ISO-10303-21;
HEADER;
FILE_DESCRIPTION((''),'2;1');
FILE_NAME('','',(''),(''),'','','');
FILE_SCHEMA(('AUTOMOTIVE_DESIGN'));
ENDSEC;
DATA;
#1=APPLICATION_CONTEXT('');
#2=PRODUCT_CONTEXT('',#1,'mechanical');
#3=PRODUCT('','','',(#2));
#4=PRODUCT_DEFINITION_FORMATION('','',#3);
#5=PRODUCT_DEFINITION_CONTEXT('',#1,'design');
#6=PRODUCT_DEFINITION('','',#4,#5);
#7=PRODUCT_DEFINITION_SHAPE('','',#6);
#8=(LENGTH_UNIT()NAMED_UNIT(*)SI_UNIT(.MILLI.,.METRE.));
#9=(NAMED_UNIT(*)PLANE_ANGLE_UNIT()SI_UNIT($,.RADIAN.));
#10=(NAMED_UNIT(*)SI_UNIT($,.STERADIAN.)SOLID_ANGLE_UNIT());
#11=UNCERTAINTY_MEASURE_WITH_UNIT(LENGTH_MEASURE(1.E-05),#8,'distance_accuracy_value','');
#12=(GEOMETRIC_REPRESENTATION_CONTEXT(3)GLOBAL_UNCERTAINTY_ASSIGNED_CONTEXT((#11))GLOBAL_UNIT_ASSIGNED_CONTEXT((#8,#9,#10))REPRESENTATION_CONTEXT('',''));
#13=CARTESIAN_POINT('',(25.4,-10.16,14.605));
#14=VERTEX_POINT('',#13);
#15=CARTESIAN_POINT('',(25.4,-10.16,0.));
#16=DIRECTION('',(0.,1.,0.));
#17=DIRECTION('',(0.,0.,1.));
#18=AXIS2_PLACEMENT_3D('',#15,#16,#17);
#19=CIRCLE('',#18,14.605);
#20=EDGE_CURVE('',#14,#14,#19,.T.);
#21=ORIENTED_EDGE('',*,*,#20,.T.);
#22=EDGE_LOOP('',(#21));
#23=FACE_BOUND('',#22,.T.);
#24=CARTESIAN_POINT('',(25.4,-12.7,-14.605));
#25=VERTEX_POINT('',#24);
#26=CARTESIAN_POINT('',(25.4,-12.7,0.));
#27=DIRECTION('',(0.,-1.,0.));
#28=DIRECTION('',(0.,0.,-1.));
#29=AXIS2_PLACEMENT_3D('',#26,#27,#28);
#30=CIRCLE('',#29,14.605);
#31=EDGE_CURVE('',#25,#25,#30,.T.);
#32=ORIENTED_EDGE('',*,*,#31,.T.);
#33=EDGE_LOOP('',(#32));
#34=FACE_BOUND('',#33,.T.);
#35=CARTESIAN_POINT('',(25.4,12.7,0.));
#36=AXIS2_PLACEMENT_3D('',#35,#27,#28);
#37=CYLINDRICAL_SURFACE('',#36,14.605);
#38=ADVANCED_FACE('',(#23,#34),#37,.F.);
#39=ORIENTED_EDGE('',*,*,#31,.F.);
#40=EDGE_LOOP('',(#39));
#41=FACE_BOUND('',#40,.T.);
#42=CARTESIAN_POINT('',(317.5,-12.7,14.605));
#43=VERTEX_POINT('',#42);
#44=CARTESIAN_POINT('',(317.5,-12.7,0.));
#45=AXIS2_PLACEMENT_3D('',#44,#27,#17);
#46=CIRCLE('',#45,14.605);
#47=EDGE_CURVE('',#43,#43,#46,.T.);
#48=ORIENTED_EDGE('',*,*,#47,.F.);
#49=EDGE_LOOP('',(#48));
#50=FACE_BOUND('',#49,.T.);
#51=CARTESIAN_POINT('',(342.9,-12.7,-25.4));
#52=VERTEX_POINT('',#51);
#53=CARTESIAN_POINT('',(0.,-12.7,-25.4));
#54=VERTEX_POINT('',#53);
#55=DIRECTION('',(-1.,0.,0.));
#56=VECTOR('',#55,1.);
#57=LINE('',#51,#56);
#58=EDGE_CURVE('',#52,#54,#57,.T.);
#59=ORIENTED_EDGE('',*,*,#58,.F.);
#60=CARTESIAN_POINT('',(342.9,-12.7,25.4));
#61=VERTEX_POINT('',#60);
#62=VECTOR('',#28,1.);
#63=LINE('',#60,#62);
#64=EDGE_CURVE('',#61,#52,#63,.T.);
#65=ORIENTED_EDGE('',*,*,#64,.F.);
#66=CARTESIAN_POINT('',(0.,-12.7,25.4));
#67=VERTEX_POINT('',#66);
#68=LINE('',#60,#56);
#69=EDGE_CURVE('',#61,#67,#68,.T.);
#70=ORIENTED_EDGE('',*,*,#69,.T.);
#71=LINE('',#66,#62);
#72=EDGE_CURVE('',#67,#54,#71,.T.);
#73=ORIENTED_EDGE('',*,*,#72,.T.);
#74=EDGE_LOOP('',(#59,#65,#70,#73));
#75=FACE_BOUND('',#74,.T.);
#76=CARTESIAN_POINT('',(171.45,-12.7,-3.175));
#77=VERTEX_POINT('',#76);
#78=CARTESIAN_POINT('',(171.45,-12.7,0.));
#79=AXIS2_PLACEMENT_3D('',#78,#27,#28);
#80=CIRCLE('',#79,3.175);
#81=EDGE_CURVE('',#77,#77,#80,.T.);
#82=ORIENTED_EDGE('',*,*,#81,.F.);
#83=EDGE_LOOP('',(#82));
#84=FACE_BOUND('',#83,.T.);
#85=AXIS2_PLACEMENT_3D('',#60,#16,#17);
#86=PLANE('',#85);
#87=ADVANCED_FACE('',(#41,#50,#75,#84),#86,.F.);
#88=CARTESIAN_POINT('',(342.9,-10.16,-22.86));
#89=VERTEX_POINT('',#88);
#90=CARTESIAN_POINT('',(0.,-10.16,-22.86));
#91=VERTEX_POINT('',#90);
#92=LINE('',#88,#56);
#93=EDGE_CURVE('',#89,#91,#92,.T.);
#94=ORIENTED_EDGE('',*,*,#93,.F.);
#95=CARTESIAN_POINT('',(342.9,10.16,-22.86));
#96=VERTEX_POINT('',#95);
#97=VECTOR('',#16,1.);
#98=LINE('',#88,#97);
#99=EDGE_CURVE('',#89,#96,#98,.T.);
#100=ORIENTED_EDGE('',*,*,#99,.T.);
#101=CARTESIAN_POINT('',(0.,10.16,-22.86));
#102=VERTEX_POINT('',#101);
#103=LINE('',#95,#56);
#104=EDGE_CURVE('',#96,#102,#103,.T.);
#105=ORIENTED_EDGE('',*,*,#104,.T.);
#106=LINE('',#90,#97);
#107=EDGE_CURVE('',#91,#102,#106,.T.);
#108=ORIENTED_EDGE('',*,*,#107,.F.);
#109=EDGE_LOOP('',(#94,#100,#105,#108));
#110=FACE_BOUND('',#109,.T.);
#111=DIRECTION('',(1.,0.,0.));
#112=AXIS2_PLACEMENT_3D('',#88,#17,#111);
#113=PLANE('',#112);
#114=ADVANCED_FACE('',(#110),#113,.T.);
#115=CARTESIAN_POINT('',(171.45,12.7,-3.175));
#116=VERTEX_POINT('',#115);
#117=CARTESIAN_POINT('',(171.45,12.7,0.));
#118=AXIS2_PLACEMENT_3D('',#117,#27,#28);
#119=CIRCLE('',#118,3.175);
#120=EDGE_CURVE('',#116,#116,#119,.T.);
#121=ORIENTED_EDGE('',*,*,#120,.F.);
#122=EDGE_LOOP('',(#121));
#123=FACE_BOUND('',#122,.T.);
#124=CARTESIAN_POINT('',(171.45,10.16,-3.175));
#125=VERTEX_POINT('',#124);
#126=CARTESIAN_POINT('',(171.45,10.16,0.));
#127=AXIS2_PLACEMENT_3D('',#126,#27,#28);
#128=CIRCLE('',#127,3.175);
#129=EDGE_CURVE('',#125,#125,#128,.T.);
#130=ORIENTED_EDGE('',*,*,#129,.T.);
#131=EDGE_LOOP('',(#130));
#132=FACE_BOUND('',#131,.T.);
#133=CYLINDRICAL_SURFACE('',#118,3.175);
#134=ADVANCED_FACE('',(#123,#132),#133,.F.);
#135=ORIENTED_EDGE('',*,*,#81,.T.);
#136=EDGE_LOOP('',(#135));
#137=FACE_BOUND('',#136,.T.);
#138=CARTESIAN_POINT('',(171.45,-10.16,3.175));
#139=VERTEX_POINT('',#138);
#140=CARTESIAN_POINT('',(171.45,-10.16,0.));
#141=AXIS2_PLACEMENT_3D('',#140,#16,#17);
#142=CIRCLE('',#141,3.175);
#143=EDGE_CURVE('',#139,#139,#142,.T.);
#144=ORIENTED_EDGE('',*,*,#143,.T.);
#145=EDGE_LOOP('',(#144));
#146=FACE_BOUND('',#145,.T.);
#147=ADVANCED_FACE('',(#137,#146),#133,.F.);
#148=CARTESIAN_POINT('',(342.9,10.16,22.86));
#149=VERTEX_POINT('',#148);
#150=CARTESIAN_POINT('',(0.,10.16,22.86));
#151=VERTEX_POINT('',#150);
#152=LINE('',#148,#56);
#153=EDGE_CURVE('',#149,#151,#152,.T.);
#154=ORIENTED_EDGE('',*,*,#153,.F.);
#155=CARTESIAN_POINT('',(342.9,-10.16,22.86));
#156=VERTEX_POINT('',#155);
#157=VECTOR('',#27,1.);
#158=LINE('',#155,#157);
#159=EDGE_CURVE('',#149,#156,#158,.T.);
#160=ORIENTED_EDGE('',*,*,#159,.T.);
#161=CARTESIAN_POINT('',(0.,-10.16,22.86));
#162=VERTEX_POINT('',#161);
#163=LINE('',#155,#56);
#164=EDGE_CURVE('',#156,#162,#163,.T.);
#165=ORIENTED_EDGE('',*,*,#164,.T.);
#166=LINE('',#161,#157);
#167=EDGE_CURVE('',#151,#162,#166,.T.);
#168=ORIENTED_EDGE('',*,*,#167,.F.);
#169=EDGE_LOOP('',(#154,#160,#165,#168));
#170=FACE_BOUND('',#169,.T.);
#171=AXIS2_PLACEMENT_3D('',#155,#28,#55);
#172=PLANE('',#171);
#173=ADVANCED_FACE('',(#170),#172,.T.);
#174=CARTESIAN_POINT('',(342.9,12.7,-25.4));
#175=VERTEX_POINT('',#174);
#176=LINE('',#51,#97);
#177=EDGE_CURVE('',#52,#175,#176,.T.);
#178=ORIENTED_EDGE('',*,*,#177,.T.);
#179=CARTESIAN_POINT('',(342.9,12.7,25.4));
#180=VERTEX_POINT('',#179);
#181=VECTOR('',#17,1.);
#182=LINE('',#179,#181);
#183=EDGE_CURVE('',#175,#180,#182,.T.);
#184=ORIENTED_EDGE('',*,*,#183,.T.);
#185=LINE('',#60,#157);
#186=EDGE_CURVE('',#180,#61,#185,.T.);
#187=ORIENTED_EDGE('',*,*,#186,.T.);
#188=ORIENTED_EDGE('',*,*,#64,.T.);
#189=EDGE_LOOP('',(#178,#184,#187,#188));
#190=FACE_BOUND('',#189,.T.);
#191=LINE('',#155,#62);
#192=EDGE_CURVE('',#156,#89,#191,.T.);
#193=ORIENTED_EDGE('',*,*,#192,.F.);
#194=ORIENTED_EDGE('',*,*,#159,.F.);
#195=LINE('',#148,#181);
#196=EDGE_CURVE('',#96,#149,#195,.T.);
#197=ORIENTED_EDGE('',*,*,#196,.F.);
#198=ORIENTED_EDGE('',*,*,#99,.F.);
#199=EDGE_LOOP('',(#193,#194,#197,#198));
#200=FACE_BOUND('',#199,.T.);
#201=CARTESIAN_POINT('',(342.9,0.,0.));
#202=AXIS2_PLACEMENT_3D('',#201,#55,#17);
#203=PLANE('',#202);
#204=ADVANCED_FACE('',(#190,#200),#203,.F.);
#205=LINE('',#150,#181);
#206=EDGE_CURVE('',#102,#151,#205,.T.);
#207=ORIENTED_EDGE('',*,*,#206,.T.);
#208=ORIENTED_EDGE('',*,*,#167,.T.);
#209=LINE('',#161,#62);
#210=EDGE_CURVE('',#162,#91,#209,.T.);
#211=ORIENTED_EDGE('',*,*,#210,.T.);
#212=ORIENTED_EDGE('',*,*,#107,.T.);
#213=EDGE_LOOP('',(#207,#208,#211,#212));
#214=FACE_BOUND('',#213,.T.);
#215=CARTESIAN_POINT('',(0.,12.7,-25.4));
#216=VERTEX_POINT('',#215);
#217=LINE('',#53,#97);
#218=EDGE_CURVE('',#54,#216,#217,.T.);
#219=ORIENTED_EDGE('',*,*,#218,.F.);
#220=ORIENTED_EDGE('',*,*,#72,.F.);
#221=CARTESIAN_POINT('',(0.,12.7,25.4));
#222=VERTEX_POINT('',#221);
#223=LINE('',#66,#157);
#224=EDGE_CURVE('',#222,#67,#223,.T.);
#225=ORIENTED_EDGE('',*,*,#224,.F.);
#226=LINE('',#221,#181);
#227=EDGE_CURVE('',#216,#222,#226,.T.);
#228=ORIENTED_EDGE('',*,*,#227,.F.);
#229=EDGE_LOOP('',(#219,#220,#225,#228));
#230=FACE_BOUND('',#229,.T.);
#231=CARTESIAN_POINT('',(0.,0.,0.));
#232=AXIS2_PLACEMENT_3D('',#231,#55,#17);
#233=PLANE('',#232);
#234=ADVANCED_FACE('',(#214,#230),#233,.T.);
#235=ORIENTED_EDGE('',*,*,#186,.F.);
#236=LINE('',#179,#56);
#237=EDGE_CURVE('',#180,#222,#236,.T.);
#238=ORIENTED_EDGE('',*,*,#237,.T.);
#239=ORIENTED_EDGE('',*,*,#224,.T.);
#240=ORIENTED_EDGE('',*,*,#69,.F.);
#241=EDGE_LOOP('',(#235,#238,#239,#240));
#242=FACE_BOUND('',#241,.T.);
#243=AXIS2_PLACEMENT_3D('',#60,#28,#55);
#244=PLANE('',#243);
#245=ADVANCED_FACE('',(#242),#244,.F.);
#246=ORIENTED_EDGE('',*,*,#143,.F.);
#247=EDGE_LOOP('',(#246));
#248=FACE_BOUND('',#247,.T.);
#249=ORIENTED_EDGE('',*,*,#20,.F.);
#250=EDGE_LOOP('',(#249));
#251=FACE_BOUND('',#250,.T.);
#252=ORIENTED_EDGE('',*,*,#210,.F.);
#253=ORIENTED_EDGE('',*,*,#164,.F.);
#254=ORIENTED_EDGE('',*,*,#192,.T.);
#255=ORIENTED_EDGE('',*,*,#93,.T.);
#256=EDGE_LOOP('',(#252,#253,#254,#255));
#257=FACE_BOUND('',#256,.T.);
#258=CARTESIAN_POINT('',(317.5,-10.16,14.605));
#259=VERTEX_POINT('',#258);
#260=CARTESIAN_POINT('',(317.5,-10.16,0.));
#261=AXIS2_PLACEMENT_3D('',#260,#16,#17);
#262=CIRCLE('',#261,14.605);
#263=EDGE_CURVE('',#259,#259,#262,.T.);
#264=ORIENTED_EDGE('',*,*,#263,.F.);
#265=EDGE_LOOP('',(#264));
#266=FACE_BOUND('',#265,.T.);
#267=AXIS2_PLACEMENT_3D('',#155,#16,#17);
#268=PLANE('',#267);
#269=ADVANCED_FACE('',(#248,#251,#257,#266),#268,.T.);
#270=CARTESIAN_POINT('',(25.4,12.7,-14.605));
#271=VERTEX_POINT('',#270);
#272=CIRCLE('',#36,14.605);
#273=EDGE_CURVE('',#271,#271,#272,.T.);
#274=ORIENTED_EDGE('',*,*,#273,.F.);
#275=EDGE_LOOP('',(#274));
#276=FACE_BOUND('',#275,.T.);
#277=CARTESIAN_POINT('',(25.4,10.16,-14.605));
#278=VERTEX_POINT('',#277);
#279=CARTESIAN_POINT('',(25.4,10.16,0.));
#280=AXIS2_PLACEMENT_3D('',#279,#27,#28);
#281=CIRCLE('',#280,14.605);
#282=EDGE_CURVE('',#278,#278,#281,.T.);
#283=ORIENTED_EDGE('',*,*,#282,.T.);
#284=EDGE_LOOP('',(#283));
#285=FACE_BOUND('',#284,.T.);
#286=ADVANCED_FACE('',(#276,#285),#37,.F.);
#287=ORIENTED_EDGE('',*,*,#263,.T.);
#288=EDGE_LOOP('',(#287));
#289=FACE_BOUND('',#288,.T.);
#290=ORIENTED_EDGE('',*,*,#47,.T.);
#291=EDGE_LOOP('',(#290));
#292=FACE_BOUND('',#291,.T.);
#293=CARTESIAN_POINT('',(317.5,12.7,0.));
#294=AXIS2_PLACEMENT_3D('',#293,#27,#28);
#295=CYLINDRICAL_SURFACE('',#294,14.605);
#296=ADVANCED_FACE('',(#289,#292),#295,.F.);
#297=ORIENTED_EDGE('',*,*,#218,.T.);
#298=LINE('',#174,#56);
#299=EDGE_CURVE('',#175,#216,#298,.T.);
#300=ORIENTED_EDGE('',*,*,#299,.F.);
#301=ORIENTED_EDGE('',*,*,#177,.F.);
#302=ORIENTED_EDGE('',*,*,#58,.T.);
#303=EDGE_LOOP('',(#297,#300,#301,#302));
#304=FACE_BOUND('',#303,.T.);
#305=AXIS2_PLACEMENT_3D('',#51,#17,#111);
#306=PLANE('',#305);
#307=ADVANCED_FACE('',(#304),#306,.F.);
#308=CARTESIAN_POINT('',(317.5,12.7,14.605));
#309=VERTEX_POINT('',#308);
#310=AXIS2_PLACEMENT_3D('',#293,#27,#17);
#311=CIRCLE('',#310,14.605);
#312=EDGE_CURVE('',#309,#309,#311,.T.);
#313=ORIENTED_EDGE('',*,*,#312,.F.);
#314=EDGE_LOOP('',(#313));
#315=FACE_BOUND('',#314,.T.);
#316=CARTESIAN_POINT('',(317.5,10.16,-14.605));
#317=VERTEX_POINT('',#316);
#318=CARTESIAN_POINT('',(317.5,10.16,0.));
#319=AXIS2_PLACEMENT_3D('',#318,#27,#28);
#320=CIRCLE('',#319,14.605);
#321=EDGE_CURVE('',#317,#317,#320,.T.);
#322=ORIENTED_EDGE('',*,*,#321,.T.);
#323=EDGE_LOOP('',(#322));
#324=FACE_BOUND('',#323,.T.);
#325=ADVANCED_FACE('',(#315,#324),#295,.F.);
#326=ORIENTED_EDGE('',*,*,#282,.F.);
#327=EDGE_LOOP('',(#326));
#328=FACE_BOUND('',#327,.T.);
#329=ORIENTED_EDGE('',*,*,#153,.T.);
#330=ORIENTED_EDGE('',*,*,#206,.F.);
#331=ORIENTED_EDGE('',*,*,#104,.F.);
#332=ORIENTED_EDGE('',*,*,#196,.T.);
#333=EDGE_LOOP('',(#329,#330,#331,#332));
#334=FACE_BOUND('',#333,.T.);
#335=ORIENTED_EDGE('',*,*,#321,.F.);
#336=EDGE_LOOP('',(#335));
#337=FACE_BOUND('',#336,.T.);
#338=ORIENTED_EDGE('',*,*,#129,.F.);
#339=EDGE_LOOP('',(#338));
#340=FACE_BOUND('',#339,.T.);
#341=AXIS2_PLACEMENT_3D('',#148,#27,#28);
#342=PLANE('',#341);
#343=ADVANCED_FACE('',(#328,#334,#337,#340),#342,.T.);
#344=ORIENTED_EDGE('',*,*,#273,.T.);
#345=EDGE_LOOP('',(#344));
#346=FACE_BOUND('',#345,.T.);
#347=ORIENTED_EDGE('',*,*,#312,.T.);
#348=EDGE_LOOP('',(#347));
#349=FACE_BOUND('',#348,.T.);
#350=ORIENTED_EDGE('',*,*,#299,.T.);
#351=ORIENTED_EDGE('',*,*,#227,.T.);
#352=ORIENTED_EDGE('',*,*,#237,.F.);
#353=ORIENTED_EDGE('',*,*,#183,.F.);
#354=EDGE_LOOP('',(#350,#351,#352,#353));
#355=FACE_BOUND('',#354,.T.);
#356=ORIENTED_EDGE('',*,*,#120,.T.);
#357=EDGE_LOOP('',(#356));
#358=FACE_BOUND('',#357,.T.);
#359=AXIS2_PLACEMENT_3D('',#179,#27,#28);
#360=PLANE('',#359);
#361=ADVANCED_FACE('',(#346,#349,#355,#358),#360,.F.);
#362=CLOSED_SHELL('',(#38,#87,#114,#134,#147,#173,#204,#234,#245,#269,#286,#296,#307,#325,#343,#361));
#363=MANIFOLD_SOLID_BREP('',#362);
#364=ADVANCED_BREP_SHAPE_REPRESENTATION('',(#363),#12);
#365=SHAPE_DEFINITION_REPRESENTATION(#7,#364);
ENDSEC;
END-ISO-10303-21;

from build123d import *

# Parameters (mm, degrees)
SKETCH1_W           = 50.8
SKETCH1_H           = 25.4
SKETCH1_W_2         = 45.72
SKETCH1_H_2         = 20.32
BOSS_EXTRUDE1_DEPTH = 342.9
SKETCH2_R           = 14.605
CUT_EXTRUDE1_DEPTH  = 345.776347797
SKETCH6_R           = 3.175
CUT_EXTRUDE5_DEPTH  = 345.776347797


with BuildPart() as part:
    # Sketch1 → Boss-Extrude1 (new body)
    with BuildSketch(Plane(origin=(0, 0, 0), x_dir=(0, 0, -1), z_dir=(1, 0, 0))):
        Rectangle(SKETCH1_W, SKETCH1_H)
        Rectangle(SKETCH1_W_2, SKETCH1_H_2, mode=Mode.SUBTRACT)
    extrude(amount=BOSS_EXTRUDE1_DEPTH)

    # Sketch2 → Cut-Extrude1 (cut, through all)
    with BuildSketch(Plane.XZ.offset(12.7)):
        with Locations(Location((25.4, 0, 0), (0, 0, 270))):
            Circle(SKETCH2_R)
        with Locations(Location((317.5, 0, 0), (0, 0, 270))):
            Circle(SKETCH2_R)
    extrude(amount=-CUT_EXTRUDE1_DEPTH, mode=Mode.SUBTRACT)

    # Sketch6 → Cut-Extrude5 (cut, through all)
    with BuildSketch(Plane.XZ.offset(12.7)):
        with Locations(Location((171.45, 0, 0), (0, 0, 270))):
            Circle(SKETCH6_R)
    extrude(amount=-CUT_EXTRUDE5_DEPTH, mode=Mode.SUBTRACT)


solid = part.part
